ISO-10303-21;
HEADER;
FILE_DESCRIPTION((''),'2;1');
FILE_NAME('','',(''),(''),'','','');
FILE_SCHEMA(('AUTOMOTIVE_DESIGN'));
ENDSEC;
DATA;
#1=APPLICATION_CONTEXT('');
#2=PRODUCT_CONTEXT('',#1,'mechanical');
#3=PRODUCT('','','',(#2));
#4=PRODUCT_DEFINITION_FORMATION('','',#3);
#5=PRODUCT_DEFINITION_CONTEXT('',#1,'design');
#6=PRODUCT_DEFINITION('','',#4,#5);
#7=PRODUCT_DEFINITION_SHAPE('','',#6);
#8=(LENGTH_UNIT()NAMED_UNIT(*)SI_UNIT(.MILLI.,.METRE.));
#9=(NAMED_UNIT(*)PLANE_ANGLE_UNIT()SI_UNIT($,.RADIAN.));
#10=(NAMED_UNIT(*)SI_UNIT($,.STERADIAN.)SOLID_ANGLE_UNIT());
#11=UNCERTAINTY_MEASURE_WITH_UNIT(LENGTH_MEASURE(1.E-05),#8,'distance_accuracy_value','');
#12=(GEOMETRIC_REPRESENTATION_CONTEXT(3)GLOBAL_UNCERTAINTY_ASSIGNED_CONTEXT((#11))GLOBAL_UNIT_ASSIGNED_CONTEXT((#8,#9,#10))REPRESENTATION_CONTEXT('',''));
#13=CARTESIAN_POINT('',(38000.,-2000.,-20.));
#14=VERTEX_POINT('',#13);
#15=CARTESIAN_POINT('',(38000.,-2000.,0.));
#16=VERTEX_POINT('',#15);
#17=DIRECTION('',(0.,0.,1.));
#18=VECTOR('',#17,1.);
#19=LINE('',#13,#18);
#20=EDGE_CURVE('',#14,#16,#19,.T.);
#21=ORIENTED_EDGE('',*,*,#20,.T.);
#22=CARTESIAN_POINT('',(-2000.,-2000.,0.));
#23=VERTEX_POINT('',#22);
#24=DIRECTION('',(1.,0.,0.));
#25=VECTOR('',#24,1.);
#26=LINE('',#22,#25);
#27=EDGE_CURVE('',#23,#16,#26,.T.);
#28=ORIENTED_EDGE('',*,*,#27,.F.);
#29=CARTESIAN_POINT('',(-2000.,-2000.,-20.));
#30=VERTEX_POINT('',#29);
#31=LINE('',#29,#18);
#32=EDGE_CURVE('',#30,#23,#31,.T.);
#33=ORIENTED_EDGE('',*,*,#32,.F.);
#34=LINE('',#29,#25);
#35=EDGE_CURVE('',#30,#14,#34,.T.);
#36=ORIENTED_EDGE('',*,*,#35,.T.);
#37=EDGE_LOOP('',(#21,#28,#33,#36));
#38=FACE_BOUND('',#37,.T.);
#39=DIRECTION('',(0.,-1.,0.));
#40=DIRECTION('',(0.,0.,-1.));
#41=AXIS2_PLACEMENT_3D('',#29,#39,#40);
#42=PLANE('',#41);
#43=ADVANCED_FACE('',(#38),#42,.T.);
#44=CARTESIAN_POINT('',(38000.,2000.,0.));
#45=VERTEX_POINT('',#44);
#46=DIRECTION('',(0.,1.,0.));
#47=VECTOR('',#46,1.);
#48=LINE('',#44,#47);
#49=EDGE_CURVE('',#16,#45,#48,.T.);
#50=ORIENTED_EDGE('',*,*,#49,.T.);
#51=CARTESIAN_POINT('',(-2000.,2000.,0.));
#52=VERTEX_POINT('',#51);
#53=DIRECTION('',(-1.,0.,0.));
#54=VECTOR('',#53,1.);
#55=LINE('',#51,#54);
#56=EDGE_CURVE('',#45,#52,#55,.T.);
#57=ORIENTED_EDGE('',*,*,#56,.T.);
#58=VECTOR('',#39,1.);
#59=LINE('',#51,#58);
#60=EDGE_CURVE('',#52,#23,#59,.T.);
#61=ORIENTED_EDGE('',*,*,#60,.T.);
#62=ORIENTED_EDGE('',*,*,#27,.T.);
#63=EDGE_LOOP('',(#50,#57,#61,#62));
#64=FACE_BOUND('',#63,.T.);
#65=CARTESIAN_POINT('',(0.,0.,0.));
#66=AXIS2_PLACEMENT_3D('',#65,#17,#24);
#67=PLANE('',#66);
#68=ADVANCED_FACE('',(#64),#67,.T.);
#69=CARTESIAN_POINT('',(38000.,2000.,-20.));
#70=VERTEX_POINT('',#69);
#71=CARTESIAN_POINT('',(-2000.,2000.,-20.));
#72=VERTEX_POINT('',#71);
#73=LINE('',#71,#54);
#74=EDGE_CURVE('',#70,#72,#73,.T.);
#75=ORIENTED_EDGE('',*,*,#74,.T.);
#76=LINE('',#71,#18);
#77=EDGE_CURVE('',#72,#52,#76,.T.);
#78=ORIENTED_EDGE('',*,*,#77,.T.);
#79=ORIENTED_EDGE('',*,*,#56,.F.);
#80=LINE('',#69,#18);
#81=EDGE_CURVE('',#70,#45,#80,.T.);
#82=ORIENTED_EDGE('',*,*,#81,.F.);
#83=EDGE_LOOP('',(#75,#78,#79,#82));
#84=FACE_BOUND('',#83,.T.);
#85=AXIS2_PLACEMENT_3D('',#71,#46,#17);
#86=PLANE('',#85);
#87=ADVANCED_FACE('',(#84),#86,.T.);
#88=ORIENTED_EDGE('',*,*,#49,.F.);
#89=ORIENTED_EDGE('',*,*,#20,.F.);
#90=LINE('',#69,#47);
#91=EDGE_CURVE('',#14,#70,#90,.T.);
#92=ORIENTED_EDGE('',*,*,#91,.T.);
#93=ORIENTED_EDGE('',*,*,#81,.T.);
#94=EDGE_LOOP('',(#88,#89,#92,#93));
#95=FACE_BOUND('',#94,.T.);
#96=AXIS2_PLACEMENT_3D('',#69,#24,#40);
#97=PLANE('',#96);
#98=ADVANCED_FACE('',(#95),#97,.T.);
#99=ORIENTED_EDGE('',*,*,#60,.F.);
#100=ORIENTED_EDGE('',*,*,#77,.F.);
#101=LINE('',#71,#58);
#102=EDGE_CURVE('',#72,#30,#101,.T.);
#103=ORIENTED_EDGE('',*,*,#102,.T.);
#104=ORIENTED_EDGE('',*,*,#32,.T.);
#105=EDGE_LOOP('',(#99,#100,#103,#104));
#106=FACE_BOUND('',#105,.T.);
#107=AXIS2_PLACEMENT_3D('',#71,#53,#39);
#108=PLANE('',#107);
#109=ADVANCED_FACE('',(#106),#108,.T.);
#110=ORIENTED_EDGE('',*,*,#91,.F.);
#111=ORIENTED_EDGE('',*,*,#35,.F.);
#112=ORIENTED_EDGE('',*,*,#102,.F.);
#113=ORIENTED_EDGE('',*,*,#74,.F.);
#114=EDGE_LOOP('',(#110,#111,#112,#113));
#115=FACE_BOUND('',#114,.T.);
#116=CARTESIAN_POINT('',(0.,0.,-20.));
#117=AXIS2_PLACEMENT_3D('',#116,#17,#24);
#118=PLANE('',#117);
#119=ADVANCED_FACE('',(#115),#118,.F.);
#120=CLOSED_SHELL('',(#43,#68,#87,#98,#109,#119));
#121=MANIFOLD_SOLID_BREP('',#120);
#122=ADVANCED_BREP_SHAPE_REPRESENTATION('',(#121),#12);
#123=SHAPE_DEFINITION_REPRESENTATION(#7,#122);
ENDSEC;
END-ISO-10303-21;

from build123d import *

# Parameters (mm, degrees)
SKETCH1_W           = 40000
SKETCH1_H           = 4000
BOSS_EXTRUDE1_DEPTH = 20


with BuildPart() as part:
    # Sketch1 → Boss-Extrude1 (new body)
    with BuildSketch(Plane.XY):
        with Locations((18000, 0)):
            Rectangle(SKETCH1_W, SKETCH1_H)
    extrude(amount=-BOSS_EXTRUDE1_DEPTH)


solid = part.part
